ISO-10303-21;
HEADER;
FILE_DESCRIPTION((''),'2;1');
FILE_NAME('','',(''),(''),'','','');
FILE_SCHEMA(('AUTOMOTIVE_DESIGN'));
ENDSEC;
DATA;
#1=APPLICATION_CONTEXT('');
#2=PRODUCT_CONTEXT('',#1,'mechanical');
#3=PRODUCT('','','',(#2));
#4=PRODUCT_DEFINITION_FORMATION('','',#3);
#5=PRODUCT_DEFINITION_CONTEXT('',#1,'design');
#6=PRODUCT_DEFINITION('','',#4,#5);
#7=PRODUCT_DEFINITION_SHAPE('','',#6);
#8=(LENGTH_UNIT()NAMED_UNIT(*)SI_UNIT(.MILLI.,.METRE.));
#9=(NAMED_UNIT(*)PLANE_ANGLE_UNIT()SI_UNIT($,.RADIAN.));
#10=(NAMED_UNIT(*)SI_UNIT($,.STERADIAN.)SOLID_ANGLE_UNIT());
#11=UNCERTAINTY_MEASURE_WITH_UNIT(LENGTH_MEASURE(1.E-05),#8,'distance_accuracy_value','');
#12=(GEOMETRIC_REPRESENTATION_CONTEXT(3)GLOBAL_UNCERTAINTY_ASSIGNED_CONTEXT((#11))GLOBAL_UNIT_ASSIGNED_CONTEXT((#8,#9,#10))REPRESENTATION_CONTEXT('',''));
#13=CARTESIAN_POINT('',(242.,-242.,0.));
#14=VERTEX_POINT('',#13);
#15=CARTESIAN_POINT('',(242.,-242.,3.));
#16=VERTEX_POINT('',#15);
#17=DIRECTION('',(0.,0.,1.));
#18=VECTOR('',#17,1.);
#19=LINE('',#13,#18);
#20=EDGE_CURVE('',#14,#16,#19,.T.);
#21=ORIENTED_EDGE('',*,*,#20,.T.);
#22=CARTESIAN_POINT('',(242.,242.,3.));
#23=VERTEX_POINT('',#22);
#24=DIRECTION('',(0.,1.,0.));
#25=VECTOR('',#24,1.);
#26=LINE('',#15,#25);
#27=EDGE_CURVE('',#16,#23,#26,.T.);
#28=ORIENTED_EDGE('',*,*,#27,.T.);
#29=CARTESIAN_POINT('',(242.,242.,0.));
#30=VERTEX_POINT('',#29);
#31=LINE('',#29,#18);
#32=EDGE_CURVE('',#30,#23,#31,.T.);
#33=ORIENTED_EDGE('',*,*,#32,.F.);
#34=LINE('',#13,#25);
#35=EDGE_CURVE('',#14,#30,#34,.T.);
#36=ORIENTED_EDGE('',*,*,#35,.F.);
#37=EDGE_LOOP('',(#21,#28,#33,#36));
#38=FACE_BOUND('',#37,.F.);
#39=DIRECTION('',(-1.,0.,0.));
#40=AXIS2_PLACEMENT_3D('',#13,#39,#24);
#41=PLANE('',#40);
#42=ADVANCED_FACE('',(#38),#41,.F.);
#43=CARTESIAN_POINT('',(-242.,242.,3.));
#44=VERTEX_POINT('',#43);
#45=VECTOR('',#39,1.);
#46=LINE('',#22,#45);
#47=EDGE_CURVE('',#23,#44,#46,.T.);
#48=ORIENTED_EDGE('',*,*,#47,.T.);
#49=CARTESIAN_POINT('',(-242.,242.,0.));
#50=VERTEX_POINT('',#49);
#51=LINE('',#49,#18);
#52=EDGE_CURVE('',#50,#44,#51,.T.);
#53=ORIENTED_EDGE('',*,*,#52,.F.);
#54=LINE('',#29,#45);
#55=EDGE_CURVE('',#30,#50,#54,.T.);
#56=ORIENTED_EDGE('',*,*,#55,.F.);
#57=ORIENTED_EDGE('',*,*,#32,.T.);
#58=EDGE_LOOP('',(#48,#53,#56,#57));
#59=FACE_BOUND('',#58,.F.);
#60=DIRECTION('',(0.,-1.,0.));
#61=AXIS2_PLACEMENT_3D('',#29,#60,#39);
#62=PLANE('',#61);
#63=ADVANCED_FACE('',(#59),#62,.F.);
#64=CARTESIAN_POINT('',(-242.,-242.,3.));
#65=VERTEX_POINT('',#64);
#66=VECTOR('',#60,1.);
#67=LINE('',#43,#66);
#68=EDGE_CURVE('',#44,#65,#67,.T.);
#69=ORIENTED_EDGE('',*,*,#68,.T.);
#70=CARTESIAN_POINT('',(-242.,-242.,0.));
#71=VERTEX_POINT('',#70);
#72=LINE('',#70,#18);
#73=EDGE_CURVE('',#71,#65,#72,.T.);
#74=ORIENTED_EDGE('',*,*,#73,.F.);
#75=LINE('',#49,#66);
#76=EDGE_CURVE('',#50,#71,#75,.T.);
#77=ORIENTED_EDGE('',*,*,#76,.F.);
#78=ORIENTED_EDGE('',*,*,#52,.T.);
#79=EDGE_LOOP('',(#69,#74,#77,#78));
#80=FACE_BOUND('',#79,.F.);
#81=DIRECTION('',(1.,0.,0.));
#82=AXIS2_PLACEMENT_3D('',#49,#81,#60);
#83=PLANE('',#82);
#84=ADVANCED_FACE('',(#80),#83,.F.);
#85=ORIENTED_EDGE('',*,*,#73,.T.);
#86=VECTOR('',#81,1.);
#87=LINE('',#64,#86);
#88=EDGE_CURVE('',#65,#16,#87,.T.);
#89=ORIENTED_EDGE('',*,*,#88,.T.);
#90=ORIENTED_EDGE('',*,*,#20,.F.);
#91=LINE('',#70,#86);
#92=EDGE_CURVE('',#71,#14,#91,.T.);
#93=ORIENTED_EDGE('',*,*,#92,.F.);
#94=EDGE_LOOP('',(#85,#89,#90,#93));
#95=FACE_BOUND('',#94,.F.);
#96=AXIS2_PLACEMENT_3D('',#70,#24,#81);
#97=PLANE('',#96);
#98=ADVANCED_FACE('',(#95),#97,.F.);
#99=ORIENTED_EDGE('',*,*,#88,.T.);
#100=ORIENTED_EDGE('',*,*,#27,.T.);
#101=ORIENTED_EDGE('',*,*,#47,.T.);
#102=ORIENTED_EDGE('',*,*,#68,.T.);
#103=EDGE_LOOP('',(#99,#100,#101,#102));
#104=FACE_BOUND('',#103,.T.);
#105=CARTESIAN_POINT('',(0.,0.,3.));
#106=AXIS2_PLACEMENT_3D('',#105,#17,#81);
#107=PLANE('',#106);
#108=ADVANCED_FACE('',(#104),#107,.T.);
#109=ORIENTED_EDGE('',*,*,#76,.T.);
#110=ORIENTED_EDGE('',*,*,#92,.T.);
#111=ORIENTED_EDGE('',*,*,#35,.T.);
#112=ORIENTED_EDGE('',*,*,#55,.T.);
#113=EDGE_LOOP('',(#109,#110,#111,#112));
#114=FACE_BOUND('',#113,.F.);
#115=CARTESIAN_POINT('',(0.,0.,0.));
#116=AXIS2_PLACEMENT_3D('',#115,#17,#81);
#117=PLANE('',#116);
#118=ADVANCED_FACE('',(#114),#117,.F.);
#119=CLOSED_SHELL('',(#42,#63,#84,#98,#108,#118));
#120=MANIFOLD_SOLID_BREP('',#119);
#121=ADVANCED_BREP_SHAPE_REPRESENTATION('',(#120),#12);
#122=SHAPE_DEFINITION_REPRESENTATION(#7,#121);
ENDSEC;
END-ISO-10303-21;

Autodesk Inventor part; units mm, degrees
ref_plane "YZ Plane" through (0, 0, 0) normal (1, 0, 0) x (0, 1, 0)
ref_plane "XZ Plane" through (0, 0, 0) normal (0, 1, 0) x (-1, 0, 0)
ref_plane "XY Plane" through (0, 0, 0) normal (0, 0, 1) x (1, 0, 0)
sketch "Skizze1" plane through (0, 0, 0) normal (0, 0, 1) x (1, 0, 0)
  line L0 (-242, -242) -> (242, -242)
  line L1 (242, -242) -> (242, 242)
  line L2 (242, 242) -> (-242, 242)
  line L3 (-242, 242) -> (-242, -242)
  line L4 (-242, -242) -> (242, 242) construction
  line L5 (242, -242) -> (-242, 242) construction
  point P0 (0, 0)
  dimension "d0" = 484
  dimension "d1" = 484
extrude "Extrusion1" add sketch "Skizze1" along normal blind 3
properties part number "Panel Top" material "Polycarbonat, klar"
